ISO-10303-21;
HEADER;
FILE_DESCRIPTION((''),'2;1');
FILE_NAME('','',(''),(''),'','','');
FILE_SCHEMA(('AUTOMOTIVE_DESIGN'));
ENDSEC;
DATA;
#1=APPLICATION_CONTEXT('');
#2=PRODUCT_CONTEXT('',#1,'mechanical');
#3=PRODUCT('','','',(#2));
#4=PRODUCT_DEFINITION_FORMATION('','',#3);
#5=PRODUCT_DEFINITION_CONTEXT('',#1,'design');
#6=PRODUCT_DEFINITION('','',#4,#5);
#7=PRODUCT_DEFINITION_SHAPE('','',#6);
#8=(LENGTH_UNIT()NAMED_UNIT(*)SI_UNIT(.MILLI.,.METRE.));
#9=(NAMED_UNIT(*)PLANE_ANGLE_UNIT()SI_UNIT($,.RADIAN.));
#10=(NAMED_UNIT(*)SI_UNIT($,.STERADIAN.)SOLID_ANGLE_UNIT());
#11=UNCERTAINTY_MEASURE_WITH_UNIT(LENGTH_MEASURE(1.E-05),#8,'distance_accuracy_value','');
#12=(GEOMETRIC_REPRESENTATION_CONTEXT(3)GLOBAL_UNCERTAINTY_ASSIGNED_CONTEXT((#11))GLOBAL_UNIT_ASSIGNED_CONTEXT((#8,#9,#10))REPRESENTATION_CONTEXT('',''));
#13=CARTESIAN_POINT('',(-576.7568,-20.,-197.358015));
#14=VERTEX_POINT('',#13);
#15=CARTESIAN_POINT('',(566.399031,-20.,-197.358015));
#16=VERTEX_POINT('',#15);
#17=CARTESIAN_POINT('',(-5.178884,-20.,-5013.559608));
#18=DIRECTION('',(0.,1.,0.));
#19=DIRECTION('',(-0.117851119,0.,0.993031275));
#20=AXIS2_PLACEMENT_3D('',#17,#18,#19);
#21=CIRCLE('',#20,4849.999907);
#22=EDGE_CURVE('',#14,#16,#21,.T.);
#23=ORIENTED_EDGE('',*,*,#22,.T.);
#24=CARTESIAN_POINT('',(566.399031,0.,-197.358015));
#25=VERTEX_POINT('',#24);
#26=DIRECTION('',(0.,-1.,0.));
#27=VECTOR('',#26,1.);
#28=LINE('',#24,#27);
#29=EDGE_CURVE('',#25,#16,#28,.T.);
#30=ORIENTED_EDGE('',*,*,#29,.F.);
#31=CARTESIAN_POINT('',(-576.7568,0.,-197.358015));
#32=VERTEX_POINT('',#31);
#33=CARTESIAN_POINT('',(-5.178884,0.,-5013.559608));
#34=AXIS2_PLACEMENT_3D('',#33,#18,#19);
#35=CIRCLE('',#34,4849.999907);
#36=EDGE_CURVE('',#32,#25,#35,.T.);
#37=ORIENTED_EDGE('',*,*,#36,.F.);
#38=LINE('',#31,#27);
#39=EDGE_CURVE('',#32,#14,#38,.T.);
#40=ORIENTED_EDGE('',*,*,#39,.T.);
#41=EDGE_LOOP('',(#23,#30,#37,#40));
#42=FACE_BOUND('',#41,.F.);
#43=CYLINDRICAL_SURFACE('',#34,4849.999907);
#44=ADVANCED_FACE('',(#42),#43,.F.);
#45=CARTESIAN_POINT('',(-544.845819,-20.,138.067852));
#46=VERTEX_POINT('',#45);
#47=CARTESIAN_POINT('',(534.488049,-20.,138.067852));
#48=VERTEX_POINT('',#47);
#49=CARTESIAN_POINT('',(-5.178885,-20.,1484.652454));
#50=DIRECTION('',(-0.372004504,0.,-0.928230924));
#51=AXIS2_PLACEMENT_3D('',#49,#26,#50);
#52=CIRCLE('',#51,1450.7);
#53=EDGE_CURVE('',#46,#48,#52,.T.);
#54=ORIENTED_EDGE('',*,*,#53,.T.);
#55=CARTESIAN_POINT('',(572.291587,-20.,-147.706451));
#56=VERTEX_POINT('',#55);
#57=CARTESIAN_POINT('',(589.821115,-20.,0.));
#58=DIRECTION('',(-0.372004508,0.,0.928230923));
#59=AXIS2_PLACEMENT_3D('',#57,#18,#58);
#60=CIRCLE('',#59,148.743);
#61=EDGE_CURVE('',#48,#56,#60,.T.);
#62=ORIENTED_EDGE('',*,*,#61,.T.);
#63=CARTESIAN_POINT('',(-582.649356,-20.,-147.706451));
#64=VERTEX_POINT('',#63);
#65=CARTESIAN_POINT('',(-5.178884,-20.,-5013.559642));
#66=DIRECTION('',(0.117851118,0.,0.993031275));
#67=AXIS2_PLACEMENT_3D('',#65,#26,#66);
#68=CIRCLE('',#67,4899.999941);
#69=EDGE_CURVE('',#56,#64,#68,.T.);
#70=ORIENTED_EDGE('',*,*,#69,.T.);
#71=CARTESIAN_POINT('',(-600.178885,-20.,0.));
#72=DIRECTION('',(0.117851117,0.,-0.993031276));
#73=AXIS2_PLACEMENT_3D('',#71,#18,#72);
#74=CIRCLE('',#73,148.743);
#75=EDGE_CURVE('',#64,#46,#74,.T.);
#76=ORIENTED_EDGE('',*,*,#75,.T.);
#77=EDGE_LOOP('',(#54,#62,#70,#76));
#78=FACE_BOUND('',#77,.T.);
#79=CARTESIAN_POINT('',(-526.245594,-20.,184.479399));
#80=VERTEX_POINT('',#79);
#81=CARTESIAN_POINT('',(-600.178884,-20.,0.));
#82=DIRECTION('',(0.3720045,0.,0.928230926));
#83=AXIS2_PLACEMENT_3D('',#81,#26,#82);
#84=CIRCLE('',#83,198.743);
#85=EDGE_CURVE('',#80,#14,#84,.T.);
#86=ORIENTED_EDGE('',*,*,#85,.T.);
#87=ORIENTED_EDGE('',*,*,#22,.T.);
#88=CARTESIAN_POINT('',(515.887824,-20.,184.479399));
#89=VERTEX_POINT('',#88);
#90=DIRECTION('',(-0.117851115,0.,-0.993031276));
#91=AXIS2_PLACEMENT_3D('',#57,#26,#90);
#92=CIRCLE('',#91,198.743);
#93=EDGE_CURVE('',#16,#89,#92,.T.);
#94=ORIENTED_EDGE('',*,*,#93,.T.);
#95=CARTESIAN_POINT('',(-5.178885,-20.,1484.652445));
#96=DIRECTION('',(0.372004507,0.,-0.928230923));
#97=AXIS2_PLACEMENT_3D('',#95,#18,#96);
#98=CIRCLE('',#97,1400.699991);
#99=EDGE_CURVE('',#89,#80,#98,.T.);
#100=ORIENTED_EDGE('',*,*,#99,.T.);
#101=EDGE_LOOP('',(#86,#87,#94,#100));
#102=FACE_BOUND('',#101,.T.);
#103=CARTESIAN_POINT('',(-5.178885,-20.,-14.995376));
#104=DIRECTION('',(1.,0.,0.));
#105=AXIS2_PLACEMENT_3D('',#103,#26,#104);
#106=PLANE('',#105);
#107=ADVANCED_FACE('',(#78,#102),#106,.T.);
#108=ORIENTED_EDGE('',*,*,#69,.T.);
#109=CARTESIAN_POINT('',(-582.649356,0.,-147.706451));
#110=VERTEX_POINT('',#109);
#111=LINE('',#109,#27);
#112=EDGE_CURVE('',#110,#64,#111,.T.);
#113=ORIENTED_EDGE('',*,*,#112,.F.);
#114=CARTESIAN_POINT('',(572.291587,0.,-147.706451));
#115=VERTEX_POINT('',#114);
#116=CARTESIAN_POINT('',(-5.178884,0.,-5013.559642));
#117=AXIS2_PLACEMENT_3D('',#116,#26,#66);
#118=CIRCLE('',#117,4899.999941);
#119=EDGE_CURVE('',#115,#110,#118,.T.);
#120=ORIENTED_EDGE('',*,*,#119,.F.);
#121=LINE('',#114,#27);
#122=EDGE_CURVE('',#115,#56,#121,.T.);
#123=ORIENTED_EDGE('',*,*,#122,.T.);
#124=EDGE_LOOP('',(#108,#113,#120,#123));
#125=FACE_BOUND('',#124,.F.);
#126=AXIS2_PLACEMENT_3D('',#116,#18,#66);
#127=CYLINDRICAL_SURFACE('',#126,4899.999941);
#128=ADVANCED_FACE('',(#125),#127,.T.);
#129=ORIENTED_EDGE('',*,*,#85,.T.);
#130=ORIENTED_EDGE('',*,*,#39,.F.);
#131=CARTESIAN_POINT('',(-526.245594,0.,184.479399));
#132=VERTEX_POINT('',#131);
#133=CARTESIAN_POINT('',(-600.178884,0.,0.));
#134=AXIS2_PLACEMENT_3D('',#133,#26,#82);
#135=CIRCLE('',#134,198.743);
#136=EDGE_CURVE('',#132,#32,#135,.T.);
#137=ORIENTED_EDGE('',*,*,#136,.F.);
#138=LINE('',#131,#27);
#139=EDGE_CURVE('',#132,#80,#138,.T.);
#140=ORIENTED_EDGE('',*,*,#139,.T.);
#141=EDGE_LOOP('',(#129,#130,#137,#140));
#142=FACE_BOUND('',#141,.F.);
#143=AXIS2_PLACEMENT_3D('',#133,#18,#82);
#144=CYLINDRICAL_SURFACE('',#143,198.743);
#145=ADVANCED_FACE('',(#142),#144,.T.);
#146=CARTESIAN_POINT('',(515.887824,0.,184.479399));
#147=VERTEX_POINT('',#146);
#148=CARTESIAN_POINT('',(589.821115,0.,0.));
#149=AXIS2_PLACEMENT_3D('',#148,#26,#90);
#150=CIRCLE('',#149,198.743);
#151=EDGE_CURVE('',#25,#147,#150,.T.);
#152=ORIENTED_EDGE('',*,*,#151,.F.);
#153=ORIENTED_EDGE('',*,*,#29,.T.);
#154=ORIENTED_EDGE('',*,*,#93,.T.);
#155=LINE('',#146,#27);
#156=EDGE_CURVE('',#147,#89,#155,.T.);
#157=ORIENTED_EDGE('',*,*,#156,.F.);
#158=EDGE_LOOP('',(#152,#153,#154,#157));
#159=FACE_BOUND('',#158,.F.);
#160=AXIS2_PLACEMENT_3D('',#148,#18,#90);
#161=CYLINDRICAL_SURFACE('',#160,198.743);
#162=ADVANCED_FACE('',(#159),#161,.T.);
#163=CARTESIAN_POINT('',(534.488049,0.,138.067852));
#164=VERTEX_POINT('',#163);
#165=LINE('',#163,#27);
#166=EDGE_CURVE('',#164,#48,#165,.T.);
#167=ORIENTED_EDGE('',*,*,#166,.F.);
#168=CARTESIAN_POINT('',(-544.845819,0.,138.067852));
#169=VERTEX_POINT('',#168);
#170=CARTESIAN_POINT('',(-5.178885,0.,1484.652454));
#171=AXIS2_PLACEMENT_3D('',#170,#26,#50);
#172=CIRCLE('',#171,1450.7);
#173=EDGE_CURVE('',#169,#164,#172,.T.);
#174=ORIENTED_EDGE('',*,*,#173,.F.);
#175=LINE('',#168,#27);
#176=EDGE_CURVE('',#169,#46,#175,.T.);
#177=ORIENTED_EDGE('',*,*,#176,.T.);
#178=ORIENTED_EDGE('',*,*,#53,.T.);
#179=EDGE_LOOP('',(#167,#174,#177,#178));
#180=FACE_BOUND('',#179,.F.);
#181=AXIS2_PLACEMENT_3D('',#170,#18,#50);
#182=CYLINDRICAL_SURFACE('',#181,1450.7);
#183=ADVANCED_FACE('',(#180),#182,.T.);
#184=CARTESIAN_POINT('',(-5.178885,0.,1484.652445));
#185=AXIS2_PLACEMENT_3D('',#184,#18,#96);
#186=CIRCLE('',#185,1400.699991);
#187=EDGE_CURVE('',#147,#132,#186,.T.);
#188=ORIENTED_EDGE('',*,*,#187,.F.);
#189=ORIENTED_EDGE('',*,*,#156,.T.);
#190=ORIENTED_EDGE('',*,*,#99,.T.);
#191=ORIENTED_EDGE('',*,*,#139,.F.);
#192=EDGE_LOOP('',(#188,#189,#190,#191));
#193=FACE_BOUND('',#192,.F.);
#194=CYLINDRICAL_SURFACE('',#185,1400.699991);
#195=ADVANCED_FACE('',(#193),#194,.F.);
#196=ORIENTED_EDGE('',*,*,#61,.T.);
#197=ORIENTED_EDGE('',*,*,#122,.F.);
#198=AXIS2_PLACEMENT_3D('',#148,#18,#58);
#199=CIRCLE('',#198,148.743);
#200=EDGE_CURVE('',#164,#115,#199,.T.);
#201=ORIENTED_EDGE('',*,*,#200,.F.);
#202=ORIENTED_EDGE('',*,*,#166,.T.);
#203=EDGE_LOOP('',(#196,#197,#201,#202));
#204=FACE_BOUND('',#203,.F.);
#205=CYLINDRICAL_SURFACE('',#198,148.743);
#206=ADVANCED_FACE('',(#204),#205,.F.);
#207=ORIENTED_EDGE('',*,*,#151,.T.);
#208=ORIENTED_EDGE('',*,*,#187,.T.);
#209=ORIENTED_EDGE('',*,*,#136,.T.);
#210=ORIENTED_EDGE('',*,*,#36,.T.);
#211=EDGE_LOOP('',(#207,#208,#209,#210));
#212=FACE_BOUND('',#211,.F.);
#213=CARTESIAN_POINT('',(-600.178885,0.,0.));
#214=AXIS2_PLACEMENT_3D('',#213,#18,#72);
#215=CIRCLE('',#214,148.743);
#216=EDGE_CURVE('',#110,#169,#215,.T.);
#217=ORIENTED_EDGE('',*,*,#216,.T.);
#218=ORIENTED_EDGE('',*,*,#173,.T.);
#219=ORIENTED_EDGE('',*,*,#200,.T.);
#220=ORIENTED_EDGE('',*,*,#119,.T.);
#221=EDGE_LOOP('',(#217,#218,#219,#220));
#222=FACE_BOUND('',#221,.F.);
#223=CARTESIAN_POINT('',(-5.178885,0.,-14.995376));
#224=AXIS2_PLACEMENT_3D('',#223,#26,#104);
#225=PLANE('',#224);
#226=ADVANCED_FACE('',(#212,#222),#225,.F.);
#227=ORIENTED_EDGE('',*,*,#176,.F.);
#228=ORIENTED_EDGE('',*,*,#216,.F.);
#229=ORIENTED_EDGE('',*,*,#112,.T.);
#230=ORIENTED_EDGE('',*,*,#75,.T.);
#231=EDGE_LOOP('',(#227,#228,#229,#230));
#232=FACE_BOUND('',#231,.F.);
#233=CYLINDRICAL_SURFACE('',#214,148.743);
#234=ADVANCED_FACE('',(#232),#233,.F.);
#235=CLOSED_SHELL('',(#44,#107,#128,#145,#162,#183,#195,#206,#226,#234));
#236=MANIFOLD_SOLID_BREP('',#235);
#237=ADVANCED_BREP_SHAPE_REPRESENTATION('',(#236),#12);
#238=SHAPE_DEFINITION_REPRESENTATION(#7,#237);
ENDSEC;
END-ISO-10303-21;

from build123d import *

# Parameters (mm, degrees)
F1_DEPTH = 20


with BuildPart() as f1:
    # F0 (on Front) → F1 (new body)
    with BuildSketch(Plane.XZ):
        with BuildLine():
            ThreePointArc((515.887824, 184.479399), (-5.178885, 83.952454), (-526.245594, 184.479399))
            ThreePointArc((-526.245594, 184.479399), (-797.205456, 26.06358), (-576.7568, -197.358015))
            ThreePointArc((-576.7568, -197.358015), (-5.178885, -163.559701), (566.399031, -197.358015))
            ThreePointArc((566.399031, -197.358015), (786.847687, 26.06358), (515.887824, 184.479399))
        make_face()
        with BuildLine():
            ThreePointArc((-582.649356, -147.706451), (-747.637277, 19.506473), (-544.845819, 138.067852))
            ThreePointArc((-544.845819, 138.067852), (-5.178885, 33.952454), (534.488049, 138.067852))
            ThreePointArc((534.488049, 138.067852), (737.279508, 19.506473), (572.291587, -147.706451))
            ThreePointArc((572.291587, -147.706451), (-5.178885, -113.559701), (-582.649356, -147.706451))
        make_face(mode=Mode.SUBTRACT)
    extrude(amount=F1_DEPTH)


solid = f1.part
